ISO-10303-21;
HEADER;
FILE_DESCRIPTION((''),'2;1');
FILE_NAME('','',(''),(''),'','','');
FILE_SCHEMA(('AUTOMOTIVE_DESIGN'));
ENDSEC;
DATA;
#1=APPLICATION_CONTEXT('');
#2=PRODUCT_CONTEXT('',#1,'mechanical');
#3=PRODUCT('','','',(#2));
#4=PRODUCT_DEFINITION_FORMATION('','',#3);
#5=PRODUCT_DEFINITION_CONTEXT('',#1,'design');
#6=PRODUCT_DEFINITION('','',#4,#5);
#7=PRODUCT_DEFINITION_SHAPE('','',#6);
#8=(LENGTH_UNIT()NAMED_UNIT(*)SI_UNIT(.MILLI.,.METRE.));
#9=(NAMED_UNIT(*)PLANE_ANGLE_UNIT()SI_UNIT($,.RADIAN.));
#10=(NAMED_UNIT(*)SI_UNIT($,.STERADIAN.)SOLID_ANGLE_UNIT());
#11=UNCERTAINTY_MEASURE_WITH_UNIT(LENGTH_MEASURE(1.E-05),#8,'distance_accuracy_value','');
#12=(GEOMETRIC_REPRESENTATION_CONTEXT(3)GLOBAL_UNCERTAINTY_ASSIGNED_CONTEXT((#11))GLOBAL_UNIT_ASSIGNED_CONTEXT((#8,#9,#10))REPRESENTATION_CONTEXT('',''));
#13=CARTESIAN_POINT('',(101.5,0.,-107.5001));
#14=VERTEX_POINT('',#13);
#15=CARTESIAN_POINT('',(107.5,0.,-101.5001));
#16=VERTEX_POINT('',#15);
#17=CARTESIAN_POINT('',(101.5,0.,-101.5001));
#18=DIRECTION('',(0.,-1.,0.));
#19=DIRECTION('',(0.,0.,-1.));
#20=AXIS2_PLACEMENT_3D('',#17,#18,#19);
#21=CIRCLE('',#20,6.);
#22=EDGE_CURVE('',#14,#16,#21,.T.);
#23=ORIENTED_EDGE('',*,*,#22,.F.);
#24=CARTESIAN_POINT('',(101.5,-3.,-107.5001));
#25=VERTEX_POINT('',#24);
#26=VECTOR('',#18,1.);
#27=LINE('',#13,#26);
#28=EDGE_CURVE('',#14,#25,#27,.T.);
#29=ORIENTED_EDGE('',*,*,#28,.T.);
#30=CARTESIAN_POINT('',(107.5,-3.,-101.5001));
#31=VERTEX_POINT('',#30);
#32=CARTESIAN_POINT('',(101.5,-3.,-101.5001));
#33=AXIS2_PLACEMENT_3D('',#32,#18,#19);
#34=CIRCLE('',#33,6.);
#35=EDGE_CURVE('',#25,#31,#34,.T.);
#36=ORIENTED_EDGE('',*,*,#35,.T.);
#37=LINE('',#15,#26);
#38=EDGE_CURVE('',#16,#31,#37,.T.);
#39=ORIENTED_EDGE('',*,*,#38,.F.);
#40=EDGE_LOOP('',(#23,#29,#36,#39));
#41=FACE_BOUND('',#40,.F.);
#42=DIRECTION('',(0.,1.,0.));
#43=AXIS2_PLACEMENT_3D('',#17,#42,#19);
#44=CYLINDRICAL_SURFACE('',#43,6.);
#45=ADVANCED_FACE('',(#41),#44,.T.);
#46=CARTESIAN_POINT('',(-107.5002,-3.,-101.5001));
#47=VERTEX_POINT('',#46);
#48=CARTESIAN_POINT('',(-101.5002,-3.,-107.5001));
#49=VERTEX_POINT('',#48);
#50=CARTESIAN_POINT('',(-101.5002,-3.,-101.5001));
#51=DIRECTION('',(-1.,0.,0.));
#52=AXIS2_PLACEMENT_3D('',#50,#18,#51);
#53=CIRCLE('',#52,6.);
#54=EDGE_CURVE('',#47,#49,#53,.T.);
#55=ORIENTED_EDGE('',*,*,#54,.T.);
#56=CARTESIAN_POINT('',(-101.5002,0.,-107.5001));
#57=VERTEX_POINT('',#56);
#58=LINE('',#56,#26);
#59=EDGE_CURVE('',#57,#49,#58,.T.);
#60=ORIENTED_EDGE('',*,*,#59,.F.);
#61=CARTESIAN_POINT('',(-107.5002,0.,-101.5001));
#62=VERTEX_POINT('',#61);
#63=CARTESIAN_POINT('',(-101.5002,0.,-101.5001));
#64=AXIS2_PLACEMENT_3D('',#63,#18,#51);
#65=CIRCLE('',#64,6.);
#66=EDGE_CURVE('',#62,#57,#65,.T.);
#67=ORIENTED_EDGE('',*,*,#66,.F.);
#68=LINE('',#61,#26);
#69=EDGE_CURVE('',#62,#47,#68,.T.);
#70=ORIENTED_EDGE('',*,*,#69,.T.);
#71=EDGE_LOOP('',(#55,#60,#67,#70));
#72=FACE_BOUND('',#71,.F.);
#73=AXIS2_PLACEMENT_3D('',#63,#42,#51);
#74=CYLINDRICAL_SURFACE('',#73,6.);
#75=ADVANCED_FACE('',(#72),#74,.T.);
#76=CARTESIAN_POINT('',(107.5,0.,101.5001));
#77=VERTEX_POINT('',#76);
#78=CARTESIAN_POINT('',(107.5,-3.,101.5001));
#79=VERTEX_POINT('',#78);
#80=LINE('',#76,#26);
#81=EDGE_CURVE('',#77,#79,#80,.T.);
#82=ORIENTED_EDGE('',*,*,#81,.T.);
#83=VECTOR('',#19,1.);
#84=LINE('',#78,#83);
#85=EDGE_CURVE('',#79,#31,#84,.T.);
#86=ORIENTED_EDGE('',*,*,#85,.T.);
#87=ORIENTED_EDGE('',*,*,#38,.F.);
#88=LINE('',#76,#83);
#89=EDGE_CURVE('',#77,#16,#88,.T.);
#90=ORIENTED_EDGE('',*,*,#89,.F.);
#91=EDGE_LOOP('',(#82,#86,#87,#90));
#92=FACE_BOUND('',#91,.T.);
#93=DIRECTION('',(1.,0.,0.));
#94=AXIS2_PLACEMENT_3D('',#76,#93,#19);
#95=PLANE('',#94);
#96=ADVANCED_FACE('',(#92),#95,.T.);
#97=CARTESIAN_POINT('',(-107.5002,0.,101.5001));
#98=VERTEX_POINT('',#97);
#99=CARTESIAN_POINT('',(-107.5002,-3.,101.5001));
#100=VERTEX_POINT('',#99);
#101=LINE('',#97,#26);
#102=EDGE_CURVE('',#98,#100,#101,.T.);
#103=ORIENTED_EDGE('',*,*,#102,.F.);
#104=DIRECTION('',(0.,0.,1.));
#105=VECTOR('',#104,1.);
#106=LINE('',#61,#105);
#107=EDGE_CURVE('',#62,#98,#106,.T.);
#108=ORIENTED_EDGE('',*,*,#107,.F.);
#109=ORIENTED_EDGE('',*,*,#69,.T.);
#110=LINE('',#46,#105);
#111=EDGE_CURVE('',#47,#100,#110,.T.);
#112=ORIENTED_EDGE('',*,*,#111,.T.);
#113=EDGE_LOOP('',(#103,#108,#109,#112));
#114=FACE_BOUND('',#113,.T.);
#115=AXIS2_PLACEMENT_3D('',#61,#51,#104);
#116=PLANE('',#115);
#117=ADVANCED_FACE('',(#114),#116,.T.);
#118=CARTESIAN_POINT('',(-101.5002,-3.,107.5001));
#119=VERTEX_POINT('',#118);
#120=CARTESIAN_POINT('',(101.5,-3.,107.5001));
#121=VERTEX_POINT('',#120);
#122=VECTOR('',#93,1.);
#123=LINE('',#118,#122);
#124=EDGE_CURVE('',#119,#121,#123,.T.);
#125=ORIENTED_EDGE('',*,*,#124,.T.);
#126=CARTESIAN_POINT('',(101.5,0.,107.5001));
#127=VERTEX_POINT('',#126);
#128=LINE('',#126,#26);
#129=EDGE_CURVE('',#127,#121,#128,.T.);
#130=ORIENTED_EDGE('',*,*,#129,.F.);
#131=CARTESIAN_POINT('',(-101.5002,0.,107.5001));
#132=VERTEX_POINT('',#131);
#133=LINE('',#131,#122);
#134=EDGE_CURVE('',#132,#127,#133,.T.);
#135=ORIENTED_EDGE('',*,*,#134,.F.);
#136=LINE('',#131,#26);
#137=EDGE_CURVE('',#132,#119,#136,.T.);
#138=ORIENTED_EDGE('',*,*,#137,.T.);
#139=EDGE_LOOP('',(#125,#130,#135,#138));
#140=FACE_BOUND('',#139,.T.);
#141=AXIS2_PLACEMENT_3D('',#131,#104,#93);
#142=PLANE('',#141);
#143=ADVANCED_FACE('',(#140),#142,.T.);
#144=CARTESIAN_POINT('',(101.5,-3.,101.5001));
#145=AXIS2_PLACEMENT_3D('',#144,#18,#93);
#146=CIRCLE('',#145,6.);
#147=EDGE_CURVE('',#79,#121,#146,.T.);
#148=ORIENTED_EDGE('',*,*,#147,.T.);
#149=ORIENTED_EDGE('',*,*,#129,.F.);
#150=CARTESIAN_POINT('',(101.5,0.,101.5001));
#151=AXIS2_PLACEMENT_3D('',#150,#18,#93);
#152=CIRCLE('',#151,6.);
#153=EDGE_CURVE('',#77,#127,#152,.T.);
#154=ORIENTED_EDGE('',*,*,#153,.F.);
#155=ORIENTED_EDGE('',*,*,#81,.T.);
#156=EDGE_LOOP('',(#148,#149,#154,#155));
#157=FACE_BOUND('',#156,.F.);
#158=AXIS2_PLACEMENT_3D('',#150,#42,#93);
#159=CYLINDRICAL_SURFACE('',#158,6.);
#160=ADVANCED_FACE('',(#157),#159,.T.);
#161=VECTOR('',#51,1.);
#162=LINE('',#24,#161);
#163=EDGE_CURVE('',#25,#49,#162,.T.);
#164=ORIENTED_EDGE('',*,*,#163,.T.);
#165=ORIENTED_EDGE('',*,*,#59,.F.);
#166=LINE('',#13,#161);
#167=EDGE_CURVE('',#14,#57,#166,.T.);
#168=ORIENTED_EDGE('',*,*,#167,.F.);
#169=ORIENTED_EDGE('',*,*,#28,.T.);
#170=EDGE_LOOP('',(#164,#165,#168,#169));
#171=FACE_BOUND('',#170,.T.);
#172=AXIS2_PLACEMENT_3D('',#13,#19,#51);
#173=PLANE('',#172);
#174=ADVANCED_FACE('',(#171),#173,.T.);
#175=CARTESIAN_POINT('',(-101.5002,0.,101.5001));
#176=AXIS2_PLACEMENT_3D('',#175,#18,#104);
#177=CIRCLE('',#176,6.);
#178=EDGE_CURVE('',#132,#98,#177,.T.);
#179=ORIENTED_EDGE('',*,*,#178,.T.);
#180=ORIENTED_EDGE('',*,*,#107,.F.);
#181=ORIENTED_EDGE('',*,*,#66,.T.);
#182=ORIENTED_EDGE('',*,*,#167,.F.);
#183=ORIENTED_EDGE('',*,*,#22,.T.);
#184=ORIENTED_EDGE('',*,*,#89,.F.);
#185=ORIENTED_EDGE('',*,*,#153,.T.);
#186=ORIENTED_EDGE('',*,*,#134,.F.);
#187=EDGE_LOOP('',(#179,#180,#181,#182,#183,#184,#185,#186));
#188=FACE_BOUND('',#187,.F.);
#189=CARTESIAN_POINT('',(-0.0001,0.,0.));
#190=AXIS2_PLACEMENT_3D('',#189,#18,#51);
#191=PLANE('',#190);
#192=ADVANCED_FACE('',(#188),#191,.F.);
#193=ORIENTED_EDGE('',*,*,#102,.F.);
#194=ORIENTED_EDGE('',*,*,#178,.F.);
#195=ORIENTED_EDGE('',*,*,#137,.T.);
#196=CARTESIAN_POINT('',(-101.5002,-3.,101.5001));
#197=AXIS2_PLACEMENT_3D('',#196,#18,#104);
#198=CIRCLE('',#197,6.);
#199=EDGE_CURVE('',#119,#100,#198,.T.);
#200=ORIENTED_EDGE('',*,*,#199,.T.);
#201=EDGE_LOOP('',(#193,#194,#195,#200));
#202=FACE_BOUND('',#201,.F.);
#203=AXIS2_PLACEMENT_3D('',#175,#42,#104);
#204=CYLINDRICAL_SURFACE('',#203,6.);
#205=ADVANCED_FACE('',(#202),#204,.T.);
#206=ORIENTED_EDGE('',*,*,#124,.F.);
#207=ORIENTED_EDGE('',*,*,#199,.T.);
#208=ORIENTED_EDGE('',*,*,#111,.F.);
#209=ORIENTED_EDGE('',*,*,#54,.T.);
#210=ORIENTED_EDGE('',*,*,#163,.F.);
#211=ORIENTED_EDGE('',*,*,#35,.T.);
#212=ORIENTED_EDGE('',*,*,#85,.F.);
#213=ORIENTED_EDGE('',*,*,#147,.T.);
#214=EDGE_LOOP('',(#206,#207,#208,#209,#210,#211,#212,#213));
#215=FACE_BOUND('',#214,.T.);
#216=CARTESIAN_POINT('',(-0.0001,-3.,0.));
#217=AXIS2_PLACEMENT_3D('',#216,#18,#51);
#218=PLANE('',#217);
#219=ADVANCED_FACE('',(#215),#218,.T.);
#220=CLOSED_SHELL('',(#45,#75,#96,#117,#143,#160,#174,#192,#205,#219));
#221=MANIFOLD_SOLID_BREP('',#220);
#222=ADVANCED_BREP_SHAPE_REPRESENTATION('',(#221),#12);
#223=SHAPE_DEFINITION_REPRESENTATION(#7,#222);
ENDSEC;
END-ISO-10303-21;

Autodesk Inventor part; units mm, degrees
ref_plane "YZ Plane" through (0, 0, 0) normal (1, 0, 0) x (0, 1, 0)
ref_plane "XZ Plane" through (0, 0, 0) normal (0, 1, 0) x (-1, 0, 0)
ref_plane "XY Plane" through (0, 0, 0) normal (0, 0, 1) x (1, 0, 0)
ref_plane "Work Plane1" through (-0.0001, 0, 0) normal (0, -1, 0) x (-1, 0, 0)
sketch "Sketch1" plane through (-0.0001, 0, 0) normal (0, -1, 0) x (-1, 0, 0)
  circle A0 centre (-100.5001, -100.5001) radius 1.6 construction
  circle A1 centre (-100.5001, 100.5001) radius 1.6 construction
  circle A2 centre (100.5001, 100.5001) radius 1.6 construction
  circle A3 centre (100.5001, -100.5001) radius 1.6 construction
  line L0 (-97.4996, 3.9999) -> (-97.4996, 82.5416) construction
  line L1 (-97.4996, 82.5416) -> (-72.0063, 57.0482) construction
  line L2 (-72.0063, 57.0482) -> (-72.0063, 3.9999) construction
  line L3 (-72.0063, 3.9999) -> (-97.4996, 3.9999) construction
  line L4 (-97.4996, -82.5021) -> (-97.4996, -4.0001) construction
  line L5 (-97.4996, -4.0001) -> (-72.0063, -4.0001) construction
  line L6 (-72.0063, -4.0001) -> (-72.0063, -57.0088) construction
  line L7 (-72.0063, -57.0088) -> (-97.4996, -82.5021) construction
  line L8 (97.4891, -4.0001) -> (97.4891, -82.4901) construction
  line L9 (97.4891, -82.4901) -> (72.0063, -57.007) construction
  line L10 (72.0063, -57.007) -> (72.0063, -4.0001) construction
  line L11 (72.0063, -4.0001) -> (97.4891, -4.0001) construction
  line L12 (97.4891, 82.4918) -> (97.4891, 4.0106) construction
  line L13 (97.4891, 4.0106) -> (72.0063, 3.9999) construction
  line L14 (72.0063, 3.9999) -> (72.0063, 57.0089) construction
  line L15 (72.0063, 57.0089) -> (97.4891, 82.4918) construction
  line L16 (3.998, 18.9804) -> (3.998, 93.318) construction
  line L17 (3.998, 93.318) -> (41.1668, 56.1492) construction
  line L18 (41.1668, 56.1492) -> (3.998, 18.9804) construction
  line L19 (41.1668, -56.0334) -> (3.998, -93.2022) construction
  line L20 (3.998, -93.2022) -> (3.998, -18.8647) construction
  line L21 (3.998, -18.8647) -> (41.1668, -56.0334) construction
  line L22 (-4.0018, -18.9081) -> (-4.0018, -93.1785) construction
  line L23 (-4.0018, -93.1785) -> (-41.1372, -56.0431) construction
  line L24 (-41.1372, -56.0431) -> (-4.0018, -18.9081) construction
  line L25 (-4.0018, 93.294) -> (-4.0018, 19.0236) construction
  line L26 (-4.0018, 19.0236) -> (-41.1372, 56.1588) construction
  line L27 (-41.1372, 56.1588) -> (-4.0018, 93.294) construction
  line L28 (45.4095, 60.3918) -> (8.292, 97.5093) construction
  line L29 (8.292, 97.5093) -> (82.5267, 97.5093) construction
  line L30 (82.5267, 97.5093) -> (45.4095, 60.3918) construction
  line L31 (8.292, -97.3935) -> (45.4095, -60.2762) construction
  line L32 (45.4095, -60.2762) -> (82.5267, -97.3935) construction
  line L33 (82.5267, -97.3935) -> (8.292, -97.3935) construction
  line L34 (-8.272, -97.3935) -> (-82.4876, -97.3935) construction
  line L35 (-82.4876, -97.3935) -> (-45.3798, -60.2857) construction
  line L36 (-45.3798, -60.2857) -> (-8.272, -97.3935) construction
  line L37 (-8.272, 97.5093) -> (-45.3798, 60.4015) construction
  line L38 (-45.3798, 60.4015) -> (-82.4876, 97.5093) construction
  line L39 (-82.4876, 97.5093) -> (-8.272, 97.5093) construction
  line L40 (-50.0062, -35.0087) -> (-50.0062, 35.0482) construction
  line L41 (-50.0062, 35.0482) -> (-19.4004, 4.4423) construction
  line L42 (-19.4004, 4.4423) -> (-19.4004, -4.4028) construction
  line L43 (-19.4004, -4.4028) -> (-50.0062, -35.0087) construction
  line L44 (19.4508, -4.4518) -> (19.4508, 4.4535) construction
  line L45 (19.4508, 4.4535) -> (50.0062, 35.0089) construction
  line L46 (50.0062, 35.0089) -> (50.0062, -35.007) construction
  line L47 (50.0062, -35.007) -> (19.4508, -4.4518) construction
  line L48 (101.5001, -107.5001) -> (-101.5001, -107.5001) projected
  arc A4 (101.5001, -107.5001) -> (107.5001, -101.5001) centre (101.5001, -101.5001) ccw projected
  line L49 (107.5001, 101.5001) -> (107.5001, -101.5001) projected
  arc A5 (107.5001, 101.5001) -> (101.5001, 107.5001) centre (101.5001, 101.5001) ccw projected
  line L50 (-101.5001, 107.5001) -> (101.5001, 107.5001) projected
  arc A6 (-101.5001, 107.5001) -> (-107.5001, 101.5001) centre (-101.5001, 101.5001) ccw projected
  line L51 (-107.5001, -101.5001) -> (-107.5001, 101.5001) projected
  arc A7 (-107.5001, -101.5001) -> (-101.5001, -107.5001) centre (-101.5001, -101.5001) ccw projected
extrude "Extrusion1" add sketch "Sketch1" along normal blind 3
properties part number "piastra_superiorissima"
